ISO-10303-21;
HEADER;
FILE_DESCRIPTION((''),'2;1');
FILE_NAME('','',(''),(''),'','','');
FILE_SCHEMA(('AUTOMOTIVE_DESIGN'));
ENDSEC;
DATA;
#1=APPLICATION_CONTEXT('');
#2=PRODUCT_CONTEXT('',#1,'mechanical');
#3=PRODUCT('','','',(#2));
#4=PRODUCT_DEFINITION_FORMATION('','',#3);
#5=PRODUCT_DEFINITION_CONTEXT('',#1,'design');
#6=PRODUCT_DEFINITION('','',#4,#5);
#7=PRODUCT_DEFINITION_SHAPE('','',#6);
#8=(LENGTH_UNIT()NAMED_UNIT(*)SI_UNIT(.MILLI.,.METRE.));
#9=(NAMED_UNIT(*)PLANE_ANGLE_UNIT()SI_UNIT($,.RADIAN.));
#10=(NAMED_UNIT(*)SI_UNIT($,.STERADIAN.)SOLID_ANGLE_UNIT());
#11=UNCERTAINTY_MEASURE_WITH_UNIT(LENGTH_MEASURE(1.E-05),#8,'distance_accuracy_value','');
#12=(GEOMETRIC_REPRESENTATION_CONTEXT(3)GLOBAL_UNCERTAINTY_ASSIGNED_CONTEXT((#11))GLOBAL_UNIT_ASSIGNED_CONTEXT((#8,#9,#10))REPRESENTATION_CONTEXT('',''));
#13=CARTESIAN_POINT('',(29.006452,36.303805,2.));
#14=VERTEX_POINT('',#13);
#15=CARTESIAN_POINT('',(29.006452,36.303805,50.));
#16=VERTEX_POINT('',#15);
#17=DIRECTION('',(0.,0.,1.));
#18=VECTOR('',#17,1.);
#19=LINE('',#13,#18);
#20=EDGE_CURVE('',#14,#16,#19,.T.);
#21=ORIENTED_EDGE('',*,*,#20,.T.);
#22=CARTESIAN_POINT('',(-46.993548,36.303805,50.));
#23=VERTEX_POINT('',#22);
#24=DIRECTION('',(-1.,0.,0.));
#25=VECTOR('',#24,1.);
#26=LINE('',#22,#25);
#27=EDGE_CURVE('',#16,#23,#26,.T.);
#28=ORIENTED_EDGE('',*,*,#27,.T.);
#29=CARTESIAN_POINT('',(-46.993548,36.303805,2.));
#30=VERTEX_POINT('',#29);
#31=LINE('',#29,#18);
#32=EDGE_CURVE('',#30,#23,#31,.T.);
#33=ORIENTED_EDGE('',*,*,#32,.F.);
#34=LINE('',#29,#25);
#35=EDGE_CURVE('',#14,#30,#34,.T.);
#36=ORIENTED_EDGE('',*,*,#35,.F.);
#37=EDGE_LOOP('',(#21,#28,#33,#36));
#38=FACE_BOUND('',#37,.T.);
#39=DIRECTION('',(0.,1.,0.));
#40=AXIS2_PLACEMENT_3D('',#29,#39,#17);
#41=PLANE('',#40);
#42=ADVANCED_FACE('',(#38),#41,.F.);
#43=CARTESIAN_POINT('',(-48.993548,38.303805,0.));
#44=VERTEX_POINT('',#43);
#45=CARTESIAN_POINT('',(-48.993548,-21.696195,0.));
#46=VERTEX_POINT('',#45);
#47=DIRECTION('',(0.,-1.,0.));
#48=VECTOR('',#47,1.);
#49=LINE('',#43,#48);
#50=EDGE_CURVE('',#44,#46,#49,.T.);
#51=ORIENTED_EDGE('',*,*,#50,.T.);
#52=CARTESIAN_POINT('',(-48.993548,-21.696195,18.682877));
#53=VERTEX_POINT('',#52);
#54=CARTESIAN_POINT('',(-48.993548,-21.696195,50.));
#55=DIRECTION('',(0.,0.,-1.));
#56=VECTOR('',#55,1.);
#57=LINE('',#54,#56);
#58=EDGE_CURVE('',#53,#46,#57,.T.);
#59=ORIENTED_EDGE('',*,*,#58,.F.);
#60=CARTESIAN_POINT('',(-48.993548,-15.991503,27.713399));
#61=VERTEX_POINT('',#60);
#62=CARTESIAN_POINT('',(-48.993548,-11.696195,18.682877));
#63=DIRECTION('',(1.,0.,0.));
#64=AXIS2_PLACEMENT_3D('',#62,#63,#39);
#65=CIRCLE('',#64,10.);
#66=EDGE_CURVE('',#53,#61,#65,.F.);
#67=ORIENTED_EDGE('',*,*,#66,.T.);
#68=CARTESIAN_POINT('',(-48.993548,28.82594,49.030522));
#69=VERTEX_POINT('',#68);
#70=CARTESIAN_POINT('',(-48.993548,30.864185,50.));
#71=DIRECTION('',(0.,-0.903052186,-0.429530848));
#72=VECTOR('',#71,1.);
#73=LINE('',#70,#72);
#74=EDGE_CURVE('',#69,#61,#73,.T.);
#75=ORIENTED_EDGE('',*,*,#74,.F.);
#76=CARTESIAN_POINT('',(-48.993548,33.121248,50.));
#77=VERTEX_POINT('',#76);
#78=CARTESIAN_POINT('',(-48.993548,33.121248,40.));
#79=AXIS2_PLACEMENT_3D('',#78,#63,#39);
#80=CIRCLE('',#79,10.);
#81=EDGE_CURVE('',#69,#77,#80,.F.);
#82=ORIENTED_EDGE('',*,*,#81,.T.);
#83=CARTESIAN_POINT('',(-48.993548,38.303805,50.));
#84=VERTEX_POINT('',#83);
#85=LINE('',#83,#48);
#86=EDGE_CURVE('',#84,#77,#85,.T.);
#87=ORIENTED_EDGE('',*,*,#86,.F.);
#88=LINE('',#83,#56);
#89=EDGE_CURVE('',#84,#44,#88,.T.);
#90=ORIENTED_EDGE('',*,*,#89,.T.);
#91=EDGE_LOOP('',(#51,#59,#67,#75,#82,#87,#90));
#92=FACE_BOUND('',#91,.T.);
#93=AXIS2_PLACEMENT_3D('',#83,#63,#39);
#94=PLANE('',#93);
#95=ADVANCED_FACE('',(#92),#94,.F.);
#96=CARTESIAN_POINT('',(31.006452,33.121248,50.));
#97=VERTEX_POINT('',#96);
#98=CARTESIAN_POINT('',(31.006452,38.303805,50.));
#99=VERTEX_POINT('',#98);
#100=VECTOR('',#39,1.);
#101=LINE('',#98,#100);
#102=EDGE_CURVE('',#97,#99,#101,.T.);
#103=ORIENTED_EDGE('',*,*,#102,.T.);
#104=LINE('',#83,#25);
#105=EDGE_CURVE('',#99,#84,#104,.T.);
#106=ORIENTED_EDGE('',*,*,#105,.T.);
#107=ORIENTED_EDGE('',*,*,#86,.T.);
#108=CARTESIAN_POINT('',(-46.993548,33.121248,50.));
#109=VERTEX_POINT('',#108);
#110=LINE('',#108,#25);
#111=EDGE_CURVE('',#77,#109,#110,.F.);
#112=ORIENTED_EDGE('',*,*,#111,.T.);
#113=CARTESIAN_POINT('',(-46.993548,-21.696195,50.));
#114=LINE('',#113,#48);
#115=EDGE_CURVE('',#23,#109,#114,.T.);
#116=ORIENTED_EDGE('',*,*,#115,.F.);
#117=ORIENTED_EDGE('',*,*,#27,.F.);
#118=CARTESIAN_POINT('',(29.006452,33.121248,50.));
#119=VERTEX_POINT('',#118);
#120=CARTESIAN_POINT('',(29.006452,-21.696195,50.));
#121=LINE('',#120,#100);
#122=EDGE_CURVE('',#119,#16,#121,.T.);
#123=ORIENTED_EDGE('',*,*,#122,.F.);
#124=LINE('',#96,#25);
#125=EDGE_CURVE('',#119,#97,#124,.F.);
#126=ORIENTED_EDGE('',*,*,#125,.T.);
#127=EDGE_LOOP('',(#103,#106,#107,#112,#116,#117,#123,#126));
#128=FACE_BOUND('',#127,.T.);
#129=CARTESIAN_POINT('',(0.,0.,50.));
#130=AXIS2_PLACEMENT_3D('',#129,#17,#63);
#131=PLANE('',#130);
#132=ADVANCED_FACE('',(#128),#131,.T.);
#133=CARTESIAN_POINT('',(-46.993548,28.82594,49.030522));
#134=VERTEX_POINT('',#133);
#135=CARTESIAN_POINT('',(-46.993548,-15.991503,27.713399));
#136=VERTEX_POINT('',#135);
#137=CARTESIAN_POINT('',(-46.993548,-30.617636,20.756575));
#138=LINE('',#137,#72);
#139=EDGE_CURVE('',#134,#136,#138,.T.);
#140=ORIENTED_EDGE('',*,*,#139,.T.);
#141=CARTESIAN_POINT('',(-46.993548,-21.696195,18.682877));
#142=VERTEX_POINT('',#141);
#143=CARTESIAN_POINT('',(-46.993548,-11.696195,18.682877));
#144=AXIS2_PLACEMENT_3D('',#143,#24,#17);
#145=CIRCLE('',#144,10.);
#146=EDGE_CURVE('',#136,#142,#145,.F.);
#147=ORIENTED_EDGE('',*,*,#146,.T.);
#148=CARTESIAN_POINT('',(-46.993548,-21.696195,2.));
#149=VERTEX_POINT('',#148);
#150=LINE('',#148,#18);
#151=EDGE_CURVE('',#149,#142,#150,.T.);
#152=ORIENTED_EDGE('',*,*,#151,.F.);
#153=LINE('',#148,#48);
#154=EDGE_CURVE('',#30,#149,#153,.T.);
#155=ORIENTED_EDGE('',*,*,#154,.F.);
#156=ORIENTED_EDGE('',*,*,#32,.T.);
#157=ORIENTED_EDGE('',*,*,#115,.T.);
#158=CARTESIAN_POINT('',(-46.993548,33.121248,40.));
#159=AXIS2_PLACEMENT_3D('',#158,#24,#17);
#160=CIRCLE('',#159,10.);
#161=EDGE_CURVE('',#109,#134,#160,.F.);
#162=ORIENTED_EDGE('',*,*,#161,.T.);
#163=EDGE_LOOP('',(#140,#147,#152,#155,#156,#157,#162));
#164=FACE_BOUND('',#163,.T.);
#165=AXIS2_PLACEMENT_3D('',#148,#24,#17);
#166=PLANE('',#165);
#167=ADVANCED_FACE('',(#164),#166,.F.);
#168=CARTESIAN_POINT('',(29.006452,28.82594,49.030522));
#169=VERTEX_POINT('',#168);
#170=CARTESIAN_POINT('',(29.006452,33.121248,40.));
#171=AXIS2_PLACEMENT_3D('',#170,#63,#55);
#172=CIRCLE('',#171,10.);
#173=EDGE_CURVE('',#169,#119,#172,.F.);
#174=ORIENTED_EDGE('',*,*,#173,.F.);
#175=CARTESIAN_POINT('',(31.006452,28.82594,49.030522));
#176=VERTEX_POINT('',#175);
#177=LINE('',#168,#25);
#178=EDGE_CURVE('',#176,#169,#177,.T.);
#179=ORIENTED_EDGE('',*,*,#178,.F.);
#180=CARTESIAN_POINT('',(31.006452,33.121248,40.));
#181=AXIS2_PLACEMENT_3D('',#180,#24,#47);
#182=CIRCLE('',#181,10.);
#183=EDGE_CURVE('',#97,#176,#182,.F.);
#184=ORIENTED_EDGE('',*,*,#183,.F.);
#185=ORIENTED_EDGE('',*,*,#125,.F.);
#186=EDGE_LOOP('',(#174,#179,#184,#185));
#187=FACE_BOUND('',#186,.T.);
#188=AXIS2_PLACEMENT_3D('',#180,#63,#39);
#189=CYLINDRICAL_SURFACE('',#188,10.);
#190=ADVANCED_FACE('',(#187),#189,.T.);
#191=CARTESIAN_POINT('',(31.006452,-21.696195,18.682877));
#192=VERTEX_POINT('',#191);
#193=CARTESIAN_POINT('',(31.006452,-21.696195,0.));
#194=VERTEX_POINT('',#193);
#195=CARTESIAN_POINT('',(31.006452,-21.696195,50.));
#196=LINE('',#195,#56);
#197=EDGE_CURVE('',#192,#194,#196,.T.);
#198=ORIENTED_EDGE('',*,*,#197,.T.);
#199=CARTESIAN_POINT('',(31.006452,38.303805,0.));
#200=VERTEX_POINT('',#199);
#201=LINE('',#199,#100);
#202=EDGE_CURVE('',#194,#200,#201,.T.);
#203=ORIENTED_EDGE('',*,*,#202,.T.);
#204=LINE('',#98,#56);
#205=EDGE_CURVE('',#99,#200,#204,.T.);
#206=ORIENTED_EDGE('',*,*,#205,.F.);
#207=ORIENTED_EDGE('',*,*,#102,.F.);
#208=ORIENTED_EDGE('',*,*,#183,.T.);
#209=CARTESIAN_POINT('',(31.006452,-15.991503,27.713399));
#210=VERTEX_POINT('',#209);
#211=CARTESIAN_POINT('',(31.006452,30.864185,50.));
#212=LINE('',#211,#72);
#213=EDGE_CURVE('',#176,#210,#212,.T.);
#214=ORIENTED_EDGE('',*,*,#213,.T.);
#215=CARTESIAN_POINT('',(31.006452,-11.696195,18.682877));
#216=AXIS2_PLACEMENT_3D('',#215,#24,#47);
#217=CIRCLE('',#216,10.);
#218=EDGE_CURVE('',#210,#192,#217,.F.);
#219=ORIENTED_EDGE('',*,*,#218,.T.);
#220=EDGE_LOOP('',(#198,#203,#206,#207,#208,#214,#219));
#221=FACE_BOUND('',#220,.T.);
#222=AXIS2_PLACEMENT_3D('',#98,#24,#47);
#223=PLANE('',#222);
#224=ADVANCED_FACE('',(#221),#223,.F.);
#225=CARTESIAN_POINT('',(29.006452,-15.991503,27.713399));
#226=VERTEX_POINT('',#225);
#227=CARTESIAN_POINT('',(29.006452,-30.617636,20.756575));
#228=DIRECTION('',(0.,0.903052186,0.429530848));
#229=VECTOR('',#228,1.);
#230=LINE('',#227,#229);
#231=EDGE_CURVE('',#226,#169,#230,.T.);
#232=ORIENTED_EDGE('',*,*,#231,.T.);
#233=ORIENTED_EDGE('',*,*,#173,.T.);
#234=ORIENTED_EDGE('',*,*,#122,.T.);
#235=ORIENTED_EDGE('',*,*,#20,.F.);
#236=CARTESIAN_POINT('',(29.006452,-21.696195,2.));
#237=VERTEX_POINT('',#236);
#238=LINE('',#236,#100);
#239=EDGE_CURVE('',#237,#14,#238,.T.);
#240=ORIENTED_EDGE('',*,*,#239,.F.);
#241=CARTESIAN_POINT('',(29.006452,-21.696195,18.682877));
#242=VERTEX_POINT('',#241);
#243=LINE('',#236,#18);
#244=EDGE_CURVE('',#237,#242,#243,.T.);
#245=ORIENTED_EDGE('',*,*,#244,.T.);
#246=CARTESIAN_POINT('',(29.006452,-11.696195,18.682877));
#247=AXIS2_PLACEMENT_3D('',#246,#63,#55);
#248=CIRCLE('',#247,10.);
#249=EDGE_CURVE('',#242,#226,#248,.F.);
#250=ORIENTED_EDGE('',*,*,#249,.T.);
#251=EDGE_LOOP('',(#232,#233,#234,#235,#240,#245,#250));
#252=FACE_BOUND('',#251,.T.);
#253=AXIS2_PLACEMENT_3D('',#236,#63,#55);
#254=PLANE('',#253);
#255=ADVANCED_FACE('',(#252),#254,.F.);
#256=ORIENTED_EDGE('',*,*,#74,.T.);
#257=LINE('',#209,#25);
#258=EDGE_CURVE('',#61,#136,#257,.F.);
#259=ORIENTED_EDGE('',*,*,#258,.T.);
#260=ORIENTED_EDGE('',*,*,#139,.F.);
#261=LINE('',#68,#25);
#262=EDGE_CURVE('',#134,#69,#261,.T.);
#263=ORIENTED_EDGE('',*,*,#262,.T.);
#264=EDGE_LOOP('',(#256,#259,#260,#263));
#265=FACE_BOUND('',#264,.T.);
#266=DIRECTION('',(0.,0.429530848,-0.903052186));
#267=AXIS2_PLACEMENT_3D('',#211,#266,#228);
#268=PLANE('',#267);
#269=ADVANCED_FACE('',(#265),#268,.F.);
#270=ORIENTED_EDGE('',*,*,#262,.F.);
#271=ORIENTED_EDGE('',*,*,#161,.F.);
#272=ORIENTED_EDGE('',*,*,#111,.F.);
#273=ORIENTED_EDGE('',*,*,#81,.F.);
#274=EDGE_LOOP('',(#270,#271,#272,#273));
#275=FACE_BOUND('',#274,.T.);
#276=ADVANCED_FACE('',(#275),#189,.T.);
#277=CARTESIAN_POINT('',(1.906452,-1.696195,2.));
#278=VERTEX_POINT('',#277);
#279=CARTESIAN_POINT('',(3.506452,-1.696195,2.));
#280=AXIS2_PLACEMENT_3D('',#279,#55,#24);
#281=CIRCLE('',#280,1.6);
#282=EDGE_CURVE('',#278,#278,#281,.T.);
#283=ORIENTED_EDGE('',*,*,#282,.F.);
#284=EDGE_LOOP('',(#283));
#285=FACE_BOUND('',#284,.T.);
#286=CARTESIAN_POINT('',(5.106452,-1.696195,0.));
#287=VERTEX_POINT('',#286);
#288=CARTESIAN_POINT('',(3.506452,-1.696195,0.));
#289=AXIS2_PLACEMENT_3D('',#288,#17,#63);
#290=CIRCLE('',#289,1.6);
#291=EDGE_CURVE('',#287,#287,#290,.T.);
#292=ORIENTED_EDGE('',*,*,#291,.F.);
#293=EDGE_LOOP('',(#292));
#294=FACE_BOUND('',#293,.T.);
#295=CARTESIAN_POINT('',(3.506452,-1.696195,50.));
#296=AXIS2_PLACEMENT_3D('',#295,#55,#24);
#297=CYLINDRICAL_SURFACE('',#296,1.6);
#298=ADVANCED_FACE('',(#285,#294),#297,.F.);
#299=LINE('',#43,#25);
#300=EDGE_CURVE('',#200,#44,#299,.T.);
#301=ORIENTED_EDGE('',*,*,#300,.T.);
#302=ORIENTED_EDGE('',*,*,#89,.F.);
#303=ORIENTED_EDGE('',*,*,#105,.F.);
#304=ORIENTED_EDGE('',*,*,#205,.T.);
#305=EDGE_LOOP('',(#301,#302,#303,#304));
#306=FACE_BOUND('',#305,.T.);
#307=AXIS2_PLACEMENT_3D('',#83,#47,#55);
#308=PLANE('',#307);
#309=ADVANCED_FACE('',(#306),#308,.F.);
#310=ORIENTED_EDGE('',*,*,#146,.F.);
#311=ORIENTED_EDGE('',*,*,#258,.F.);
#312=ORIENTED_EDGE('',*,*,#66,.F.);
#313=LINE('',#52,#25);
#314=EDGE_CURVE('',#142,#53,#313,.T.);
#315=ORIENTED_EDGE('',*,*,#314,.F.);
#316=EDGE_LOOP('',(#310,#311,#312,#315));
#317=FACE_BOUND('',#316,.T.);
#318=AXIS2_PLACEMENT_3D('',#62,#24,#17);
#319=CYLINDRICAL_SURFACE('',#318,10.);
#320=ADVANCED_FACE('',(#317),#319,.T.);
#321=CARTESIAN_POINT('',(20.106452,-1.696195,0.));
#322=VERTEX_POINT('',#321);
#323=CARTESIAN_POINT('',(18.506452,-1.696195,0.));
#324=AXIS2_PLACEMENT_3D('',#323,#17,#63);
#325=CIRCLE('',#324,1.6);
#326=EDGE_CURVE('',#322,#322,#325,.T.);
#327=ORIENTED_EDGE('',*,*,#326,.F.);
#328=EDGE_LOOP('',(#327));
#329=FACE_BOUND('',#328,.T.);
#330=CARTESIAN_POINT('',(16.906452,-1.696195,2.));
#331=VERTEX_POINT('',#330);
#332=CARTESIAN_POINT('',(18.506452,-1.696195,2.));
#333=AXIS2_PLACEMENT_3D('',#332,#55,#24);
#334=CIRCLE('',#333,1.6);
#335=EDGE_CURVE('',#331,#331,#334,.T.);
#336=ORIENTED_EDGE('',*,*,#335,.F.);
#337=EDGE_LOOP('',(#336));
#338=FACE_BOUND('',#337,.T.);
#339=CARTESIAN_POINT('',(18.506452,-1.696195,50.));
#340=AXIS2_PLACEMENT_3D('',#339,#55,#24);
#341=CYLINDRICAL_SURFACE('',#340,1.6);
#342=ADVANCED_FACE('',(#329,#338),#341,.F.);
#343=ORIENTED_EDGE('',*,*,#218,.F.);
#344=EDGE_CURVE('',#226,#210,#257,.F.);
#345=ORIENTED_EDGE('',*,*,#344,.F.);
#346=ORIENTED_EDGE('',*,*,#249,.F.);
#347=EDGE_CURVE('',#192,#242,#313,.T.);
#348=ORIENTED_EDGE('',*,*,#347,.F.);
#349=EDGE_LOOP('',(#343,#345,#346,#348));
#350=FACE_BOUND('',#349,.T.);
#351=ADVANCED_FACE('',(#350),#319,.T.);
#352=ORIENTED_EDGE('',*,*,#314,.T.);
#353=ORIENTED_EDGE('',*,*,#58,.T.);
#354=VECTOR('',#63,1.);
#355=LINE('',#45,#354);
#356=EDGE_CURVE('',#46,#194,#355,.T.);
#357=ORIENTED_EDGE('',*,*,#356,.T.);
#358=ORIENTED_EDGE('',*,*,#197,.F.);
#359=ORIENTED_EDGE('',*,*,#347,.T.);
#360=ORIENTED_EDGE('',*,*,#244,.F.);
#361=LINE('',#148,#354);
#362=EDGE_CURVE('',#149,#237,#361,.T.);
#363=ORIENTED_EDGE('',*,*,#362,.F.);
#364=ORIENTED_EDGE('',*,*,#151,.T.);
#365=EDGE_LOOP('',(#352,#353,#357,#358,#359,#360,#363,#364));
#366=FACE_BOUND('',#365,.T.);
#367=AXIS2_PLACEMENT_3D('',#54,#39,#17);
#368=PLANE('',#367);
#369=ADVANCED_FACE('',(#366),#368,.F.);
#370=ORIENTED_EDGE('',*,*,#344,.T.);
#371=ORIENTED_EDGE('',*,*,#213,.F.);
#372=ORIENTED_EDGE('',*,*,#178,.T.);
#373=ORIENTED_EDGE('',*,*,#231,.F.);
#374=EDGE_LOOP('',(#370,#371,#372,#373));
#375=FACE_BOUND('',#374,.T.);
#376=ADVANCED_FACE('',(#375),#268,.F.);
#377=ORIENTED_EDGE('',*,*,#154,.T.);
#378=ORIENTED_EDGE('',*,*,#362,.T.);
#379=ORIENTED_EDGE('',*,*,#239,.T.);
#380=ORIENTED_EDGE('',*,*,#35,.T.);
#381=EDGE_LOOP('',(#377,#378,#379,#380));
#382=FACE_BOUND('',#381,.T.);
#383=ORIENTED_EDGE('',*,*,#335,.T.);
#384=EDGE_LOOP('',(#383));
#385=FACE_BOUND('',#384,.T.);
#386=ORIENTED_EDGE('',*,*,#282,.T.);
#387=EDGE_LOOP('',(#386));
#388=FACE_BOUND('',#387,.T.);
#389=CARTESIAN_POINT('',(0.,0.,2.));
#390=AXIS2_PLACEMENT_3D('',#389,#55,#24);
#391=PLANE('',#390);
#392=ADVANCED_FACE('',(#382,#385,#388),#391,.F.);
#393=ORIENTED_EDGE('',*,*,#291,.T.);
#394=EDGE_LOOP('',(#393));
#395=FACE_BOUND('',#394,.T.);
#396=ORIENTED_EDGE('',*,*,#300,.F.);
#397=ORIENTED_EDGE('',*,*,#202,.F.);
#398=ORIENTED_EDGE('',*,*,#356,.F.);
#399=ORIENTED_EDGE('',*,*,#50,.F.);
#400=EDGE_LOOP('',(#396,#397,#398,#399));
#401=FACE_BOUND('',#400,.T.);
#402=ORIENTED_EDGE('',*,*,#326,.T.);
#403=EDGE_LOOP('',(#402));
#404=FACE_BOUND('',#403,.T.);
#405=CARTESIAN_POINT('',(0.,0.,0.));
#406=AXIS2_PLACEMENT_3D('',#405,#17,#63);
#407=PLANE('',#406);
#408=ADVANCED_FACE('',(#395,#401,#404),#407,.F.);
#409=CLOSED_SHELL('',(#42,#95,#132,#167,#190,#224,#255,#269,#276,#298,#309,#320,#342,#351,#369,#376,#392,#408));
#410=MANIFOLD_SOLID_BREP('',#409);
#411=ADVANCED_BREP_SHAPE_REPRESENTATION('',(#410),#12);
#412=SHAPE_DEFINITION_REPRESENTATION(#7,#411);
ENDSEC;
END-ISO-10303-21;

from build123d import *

# Parameters (mm, degrees)
SKETCH_1_W          = 80
SKETCH_1_H          = 60
SKETCH_1_R          = 1.6
EXTRUDE_1_DEPTH     = 50
SKETCH_2_W          = 76
SKETCH_2_H          = 58
CUT_EXTRUDE_1_DEPTH = 48
CUT_EXTRUDE_2_DEPTH = 81
FILLET_1_R          = 10


with BuildPart() as part:
    # 草图1 → 凸台-拉伸1 (new body)
    with BuildSketch(Plane.XY):
        with Locations((-8.993547962, 8.303805385)):
            Rectangle(SKETCH_1_W, SKETCH_1_H)
        with Locations((3.506452038, -1.696194615)):
            Circle(SKETCH_1_R, mode=Mode.SUBTRACT)
        with Locations((18.506452038, -1.696194615)):
            Circle(SKETCH_1_R, mode=Mode.SUBTRACT)
    extrude(amount=EXTRUDE_1_DEPTH)

    # 草图2 → 切除-拉伸1 (cut)
    with BuildSketch(Plane.XY.offset(50)):
        with Locations((-8.993547962, 7.303805385)):
            Rectangle(SKETCH_2_W, SKETCH_2_H)
    extrude(amount=-CUT_EXTRUDE_1_DEPTH, mode=Mode.SUBTRACT)

    # 草图3 → 切除-拉伸2 (cut, through all)
    with BuildSketch(Plane.ZY.offset(48.993547962)):
        Polygon((50, 30.864185465), (25, -21.696194615), (50, -21.696194615), align=None)
    extrude(amount=-CUT_EXTRUDE_2_DEPTH, mode=Mode.SUBTRACT)

    # 圆角1
    fillet_1_edges = [part.edges().sort_by_distance(p)[0] for p in [
        (-47.993547962, 30.864185465, 50),
        (30.006452038, 30.864185465, 50),
        (-47.993547962, -21.696194615, 25),
        (30.006452038, -21.696194615, 25),
    ]]
    fillet(fillet_1_edges, radius=FILLET_1_R)


solid = part.part
